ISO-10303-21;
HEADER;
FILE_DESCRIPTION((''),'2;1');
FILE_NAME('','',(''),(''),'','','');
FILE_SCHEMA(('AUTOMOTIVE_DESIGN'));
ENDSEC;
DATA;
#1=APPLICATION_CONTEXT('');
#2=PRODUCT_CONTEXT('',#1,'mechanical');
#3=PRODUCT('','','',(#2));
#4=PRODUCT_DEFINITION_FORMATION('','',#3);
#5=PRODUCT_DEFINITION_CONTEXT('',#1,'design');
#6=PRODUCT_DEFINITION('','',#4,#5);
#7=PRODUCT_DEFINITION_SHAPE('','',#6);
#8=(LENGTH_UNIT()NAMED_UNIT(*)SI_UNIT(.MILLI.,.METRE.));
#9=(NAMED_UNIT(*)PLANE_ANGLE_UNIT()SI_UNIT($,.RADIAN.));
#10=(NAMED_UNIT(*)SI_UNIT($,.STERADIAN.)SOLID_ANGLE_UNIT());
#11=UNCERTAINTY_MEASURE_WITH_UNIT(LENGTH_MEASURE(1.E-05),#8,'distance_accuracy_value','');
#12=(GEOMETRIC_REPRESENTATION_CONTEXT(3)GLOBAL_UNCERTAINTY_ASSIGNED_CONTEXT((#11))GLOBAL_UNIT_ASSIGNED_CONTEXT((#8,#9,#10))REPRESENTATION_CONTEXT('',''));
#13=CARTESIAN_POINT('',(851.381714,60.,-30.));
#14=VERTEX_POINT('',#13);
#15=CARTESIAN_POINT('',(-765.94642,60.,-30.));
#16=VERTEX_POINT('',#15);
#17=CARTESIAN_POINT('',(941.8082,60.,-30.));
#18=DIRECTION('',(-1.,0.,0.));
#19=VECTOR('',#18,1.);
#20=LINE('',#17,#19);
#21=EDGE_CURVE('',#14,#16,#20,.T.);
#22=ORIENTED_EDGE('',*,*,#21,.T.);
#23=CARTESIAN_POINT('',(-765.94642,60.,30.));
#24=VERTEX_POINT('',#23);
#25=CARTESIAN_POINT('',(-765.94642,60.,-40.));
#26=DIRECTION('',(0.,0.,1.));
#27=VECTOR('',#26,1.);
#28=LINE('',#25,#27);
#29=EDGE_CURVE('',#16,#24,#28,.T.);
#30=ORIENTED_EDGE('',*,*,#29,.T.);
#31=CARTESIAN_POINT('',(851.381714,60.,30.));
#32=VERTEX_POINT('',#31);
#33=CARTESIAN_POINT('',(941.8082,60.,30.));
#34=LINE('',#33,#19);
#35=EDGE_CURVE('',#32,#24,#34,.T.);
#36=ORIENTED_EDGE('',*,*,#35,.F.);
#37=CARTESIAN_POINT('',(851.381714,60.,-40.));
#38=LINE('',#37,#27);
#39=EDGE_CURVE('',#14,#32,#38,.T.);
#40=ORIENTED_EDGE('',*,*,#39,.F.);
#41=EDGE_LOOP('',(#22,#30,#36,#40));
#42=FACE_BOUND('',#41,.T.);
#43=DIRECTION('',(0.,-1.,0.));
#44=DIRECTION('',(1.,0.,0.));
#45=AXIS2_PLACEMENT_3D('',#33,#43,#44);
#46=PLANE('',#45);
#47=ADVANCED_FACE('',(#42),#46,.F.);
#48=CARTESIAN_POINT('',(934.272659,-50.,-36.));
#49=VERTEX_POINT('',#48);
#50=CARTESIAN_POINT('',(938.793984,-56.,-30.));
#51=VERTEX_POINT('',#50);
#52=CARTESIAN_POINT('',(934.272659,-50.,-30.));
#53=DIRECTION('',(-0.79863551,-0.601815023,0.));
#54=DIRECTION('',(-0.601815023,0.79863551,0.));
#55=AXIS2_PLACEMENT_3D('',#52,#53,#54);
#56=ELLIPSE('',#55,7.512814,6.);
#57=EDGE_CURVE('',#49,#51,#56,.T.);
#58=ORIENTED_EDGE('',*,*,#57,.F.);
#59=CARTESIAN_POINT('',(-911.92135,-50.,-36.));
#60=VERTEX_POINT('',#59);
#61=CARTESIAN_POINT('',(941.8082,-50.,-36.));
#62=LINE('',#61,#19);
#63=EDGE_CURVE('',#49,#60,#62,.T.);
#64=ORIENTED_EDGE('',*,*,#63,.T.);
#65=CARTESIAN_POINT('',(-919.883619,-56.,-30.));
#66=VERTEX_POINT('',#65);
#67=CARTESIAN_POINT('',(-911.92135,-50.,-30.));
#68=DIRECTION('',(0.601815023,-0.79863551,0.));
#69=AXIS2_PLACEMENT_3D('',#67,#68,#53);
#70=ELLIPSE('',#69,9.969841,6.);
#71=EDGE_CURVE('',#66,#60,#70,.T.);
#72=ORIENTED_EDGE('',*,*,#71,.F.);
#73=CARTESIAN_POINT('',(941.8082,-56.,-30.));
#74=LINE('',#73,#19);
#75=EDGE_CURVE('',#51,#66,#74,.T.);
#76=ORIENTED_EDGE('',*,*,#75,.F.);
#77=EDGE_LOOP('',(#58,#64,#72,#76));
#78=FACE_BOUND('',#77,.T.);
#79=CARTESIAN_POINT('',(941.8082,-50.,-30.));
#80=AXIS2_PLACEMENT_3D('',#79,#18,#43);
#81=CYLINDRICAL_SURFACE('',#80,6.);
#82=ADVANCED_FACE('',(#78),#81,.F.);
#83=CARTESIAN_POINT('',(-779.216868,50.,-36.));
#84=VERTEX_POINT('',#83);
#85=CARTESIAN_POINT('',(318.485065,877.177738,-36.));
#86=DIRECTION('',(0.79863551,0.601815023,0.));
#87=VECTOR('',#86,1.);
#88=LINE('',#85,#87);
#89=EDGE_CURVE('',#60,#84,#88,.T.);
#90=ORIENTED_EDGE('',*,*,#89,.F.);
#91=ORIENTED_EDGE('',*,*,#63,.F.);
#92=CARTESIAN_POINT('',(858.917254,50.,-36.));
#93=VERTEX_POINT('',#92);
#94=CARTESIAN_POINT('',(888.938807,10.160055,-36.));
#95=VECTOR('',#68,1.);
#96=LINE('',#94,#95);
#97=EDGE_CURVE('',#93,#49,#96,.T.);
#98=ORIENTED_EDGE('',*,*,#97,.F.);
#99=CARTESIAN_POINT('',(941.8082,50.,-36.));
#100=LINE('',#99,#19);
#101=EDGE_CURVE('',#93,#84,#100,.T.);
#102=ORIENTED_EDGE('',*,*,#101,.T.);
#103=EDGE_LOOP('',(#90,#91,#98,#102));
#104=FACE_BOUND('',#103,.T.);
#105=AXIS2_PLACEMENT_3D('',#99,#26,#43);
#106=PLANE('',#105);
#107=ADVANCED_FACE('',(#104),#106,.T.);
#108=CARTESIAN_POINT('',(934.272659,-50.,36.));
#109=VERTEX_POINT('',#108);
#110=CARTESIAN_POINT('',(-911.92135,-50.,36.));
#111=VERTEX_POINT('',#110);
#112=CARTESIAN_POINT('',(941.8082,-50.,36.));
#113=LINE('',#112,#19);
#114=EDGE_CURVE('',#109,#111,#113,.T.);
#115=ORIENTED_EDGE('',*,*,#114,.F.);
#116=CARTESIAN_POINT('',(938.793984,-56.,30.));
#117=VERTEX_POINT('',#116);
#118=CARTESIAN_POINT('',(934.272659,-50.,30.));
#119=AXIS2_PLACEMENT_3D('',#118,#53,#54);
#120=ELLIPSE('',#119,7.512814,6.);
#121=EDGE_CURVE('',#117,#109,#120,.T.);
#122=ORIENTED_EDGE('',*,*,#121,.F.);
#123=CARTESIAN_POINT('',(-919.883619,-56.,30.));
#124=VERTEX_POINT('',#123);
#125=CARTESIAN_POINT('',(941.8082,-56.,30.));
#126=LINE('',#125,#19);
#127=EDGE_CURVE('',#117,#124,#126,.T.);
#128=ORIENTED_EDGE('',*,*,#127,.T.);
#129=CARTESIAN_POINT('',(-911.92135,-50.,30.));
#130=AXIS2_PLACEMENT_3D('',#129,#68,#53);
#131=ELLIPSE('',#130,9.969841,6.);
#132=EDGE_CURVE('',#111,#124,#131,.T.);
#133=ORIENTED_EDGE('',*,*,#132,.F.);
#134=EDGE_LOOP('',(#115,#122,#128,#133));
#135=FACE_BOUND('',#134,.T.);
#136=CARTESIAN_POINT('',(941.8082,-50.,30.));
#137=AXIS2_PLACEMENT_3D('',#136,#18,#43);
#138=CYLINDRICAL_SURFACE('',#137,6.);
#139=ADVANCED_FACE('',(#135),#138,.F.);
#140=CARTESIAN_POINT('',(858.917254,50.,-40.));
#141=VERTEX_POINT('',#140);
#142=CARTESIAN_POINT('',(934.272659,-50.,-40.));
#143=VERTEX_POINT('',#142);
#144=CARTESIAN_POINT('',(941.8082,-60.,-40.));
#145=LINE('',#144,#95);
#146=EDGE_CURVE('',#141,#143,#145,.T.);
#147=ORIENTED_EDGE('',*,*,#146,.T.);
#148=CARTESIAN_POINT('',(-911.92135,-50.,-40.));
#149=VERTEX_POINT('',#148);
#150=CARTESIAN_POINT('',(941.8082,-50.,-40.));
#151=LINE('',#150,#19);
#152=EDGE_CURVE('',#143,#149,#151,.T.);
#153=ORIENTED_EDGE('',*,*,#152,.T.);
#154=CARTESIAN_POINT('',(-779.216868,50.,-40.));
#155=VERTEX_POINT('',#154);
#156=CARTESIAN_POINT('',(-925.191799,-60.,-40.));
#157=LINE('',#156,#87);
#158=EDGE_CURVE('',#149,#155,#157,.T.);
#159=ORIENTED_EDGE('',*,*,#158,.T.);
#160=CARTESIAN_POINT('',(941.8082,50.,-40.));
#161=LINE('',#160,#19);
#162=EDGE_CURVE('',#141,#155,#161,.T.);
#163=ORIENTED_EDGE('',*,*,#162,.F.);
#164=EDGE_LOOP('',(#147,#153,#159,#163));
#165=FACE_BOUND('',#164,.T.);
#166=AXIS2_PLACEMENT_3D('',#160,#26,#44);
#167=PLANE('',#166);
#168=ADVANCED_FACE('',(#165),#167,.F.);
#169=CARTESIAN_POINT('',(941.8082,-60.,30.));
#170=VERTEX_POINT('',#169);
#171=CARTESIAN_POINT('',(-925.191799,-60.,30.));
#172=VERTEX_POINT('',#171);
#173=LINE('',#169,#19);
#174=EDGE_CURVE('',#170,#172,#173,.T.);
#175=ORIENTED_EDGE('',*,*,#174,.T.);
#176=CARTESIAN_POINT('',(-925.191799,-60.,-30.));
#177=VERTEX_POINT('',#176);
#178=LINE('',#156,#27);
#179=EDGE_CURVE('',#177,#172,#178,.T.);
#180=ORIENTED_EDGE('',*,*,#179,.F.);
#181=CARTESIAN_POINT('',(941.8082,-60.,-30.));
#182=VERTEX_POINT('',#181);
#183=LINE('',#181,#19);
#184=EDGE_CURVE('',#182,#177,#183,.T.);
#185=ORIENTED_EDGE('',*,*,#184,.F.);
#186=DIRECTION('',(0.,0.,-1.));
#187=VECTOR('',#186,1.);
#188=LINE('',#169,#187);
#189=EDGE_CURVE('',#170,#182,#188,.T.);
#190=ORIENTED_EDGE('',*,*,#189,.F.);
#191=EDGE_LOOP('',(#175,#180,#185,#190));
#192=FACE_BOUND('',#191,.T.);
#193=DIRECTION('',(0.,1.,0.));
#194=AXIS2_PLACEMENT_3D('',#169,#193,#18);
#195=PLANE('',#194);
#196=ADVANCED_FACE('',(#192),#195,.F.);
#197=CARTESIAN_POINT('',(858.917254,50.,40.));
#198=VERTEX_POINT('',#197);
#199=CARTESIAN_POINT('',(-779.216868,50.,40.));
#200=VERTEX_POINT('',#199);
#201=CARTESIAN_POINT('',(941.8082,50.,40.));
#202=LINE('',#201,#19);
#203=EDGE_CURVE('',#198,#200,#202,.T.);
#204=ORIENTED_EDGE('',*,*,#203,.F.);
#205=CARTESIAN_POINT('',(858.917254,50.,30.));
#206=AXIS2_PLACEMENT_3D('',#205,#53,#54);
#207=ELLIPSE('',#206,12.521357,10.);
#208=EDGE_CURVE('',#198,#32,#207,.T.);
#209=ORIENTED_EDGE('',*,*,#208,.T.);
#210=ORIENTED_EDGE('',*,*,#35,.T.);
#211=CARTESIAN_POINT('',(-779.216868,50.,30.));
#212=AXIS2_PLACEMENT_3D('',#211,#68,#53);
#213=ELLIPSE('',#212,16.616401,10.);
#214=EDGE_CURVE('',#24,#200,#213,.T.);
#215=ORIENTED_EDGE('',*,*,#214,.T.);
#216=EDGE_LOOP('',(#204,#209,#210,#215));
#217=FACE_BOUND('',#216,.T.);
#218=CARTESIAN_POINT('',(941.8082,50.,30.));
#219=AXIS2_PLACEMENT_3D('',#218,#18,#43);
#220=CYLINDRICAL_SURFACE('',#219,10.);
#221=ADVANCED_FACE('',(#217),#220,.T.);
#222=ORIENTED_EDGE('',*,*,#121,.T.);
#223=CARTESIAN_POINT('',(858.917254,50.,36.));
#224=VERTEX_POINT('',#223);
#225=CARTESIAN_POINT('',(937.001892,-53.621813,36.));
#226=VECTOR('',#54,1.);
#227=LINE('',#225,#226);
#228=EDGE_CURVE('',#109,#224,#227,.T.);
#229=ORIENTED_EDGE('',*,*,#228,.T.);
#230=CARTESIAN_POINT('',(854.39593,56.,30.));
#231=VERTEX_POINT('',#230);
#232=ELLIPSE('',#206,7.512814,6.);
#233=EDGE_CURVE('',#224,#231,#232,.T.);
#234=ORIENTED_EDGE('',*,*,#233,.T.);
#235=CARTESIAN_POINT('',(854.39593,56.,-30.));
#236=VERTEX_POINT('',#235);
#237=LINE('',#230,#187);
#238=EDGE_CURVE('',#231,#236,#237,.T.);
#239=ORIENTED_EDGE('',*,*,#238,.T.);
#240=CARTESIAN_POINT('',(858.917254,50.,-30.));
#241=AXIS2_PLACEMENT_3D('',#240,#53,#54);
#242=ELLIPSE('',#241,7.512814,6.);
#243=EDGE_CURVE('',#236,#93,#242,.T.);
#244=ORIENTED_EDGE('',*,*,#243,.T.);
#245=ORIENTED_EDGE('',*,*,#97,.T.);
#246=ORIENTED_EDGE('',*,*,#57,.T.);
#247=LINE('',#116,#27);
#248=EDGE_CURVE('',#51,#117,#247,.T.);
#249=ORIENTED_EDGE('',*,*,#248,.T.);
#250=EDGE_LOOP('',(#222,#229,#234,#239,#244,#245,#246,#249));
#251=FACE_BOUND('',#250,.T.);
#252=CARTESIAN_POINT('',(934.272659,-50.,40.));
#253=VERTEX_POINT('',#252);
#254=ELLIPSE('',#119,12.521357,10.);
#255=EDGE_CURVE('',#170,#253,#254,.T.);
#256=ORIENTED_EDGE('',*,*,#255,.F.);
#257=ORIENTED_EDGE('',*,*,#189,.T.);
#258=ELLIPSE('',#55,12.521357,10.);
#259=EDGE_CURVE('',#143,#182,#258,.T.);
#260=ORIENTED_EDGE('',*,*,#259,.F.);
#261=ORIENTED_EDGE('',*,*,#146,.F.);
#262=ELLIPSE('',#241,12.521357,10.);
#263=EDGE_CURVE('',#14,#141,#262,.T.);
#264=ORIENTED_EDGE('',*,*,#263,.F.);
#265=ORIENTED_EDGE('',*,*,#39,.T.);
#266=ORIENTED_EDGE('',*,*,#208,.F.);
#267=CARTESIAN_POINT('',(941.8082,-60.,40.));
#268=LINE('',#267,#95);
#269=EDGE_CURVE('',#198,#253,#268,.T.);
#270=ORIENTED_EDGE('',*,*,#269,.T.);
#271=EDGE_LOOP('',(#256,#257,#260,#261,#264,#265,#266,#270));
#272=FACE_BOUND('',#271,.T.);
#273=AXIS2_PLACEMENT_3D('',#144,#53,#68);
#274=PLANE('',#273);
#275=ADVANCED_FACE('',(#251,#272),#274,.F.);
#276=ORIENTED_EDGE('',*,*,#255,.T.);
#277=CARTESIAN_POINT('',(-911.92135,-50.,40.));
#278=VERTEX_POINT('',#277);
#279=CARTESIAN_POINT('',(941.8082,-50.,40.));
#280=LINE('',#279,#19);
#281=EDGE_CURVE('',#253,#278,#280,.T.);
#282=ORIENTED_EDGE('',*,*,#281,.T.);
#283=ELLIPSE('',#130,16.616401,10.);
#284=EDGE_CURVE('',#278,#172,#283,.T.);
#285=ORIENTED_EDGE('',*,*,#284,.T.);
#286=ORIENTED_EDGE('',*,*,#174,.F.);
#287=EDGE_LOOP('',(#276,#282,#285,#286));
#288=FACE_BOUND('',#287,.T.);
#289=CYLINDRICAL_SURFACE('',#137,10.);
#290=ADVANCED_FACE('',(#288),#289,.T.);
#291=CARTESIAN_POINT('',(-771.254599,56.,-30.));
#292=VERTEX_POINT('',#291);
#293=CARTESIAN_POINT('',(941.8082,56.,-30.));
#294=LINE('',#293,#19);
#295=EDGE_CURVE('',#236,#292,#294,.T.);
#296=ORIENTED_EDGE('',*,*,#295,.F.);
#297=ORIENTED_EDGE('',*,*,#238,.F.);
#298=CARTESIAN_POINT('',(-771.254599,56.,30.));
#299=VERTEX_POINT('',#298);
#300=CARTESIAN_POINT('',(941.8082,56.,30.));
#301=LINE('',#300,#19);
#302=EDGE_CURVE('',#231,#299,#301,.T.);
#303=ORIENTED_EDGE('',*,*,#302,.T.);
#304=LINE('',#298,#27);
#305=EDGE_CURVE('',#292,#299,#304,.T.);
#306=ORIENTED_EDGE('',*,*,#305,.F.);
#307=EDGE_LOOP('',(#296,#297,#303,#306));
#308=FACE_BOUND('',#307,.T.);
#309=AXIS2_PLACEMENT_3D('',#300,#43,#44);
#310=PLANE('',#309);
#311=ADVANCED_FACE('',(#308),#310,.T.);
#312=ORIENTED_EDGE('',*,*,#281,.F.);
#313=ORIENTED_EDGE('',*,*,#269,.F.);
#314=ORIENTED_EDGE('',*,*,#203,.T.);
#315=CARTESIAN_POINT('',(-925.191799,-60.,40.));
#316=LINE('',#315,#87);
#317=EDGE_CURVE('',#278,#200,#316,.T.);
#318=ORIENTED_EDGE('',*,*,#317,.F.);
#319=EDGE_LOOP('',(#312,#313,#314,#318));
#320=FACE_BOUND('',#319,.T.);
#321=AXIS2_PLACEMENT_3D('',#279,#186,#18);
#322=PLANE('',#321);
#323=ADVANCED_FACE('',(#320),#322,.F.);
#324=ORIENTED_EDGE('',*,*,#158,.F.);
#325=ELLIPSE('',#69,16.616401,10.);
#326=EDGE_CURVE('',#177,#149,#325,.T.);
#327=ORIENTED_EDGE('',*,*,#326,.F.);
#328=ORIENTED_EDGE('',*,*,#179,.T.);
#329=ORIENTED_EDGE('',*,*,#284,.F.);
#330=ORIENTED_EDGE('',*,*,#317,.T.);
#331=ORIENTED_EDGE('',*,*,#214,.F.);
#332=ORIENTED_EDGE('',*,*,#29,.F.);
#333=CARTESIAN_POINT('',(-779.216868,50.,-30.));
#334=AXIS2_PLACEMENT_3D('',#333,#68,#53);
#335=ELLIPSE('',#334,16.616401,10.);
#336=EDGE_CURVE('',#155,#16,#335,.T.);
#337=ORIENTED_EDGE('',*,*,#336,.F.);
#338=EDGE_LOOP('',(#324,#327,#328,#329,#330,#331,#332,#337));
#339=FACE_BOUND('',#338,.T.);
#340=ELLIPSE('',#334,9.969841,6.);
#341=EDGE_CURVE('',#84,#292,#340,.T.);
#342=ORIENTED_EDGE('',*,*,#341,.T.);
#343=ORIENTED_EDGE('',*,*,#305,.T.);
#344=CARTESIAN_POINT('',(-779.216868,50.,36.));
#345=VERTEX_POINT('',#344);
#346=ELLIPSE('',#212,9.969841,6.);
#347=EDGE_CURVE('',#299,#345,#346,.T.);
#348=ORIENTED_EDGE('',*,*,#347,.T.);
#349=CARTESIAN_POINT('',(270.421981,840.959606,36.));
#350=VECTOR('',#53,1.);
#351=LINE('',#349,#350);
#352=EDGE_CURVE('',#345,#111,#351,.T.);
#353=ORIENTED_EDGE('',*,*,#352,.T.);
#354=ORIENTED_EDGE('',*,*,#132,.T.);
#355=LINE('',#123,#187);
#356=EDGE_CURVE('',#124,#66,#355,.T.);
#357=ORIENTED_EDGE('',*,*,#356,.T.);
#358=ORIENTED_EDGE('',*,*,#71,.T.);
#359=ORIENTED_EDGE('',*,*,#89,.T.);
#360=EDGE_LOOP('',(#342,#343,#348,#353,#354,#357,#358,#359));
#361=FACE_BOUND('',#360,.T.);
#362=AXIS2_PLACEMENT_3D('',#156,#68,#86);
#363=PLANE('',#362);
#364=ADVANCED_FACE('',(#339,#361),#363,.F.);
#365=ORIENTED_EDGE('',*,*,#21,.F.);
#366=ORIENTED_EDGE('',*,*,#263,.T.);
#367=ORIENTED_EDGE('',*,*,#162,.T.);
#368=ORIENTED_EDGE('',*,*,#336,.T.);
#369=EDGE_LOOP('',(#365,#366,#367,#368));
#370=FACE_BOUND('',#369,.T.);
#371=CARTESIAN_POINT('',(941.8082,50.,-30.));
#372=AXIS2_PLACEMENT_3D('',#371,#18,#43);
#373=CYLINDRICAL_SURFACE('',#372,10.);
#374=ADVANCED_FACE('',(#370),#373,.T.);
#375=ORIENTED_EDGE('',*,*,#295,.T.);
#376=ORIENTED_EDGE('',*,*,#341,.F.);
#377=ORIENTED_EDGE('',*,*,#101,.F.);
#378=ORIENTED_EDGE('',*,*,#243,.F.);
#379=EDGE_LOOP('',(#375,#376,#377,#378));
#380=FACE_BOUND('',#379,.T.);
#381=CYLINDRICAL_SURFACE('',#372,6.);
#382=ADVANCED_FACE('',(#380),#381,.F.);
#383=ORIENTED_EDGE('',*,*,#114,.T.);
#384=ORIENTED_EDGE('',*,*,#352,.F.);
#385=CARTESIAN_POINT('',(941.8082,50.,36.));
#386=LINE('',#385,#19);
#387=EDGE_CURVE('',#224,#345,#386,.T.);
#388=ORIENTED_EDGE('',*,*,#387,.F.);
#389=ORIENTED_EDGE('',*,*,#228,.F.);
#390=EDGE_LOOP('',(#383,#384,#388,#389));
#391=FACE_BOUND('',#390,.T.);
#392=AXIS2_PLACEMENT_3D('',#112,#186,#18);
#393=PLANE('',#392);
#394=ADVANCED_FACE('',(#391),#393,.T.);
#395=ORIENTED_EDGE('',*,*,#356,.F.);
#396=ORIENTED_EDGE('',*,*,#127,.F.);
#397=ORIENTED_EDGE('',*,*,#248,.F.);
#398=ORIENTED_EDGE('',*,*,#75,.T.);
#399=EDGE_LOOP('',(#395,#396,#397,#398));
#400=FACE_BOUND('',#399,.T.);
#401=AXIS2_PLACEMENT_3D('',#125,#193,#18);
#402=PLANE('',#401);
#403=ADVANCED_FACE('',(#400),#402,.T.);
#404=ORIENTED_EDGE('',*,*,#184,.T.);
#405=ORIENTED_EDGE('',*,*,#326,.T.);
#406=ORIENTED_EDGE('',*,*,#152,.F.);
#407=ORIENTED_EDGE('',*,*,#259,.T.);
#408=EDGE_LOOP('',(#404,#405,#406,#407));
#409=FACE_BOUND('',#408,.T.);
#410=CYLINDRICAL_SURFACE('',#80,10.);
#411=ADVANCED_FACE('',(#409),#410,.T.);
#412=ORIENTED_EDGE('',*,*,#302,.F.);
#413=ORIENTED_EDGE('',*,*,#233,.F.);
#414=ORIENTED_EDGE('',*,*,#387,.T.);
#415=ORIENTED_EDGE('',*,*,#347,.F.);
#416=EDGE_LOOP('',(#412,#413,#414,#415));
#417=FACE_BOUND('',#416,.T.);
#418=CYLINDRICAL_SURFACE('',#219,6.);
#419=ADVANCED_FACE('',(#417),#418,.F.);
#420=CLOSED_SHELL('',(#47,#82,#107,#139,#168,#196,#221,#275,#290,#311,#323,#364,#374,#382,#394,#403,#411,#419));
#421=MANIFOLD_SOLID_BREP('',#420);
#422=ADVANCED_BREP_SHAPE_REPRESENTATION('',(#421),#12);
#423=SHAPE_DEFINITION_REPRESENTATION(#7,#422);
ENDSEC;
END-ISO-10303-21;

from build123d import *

# Parameters (mm, degrees)
EL_MENT_M_CANO_SOUD_1_DEPTH = 1883.6164
EXTRUSION1_DEPTH            = 81
EXTRUSION2_DEPTH            = 81


with BuildPart() as part:
    # Esquisse15 → Elément mécano-soudé1 (new body)
    with BuildSketch(Plane.YZ.offset(-941.8082)):
        with BuildLine():
            Line((-50, 40), (50, 40))
            ThreePointArc((50, 40), (57.071067812, 37.071067812), (60, 30))
            Line((60, 30), (60, -30))
            ThreePointArc((60, -30), (57.071067812, -37.071067812), (50, -40))
            Line((50, -40), (-50, -40))
            ThreePointArc((-50, -40), (-57.071067812, -37.071067812), (-60, -30))
            Line((-60, -30), (-60, 30))
            ThreePointArc((-60, 30), (-57.071067812, 37.071067812), (-50, 40))
        make_face()
        with BuildLine():
            Line((-50, 36), (50, 36))
            ThreePointArc((50, 36), (54.242640687, 34.242640687), (56, 30))
            Line((56, 30), (56, -30))
            ThreePointArc((56, -30), (54.242640687, -34.242640687), (50, -36))
            Line((50, -36), (-50, -36))
            ThreePointArc((-50, -36), (-54.242640687, -34.242640687), (-56, -30))
            Line((-56, -30), (-56, 30))
            ThreePointArc((-56, 30), (-54.242640687, 34.242640687), (-50, 36))
        make_face(mode=Mode.SUBTRACT)
    extrude(amount=EL_MENT_M_CANO_SOUD_1_DEPTH)

    # Esquisse12 → Extrusion1 (cut, through all)
    with BuildSketch(Plane.XY.offset(40)):
        Polygon((941.8082, -60), (851.381713988, 60), (941.8082, 60), align=None)
        Polygon((-941.8082, -60), (-782.562821406, 60), (-941.8082, 60), align=None)
    extrude(amount=-EXTRUSION1_DEPTH, mode=Mode.SUBTRACT)

    # Esquisse13 → Extrusion2 (cut, through all)
    with BuildSketch(Plane.XY.offset(40)):
        Polygon((-1042.175315796, -60), (-925.191798589, -60), (-765.946419994, 60), (-882.929937201, 60), align=None)
    extrude(amount=-EXTRUSION2_DEPTH, mode=Mode.SUBTRACT)


solid = part.part
